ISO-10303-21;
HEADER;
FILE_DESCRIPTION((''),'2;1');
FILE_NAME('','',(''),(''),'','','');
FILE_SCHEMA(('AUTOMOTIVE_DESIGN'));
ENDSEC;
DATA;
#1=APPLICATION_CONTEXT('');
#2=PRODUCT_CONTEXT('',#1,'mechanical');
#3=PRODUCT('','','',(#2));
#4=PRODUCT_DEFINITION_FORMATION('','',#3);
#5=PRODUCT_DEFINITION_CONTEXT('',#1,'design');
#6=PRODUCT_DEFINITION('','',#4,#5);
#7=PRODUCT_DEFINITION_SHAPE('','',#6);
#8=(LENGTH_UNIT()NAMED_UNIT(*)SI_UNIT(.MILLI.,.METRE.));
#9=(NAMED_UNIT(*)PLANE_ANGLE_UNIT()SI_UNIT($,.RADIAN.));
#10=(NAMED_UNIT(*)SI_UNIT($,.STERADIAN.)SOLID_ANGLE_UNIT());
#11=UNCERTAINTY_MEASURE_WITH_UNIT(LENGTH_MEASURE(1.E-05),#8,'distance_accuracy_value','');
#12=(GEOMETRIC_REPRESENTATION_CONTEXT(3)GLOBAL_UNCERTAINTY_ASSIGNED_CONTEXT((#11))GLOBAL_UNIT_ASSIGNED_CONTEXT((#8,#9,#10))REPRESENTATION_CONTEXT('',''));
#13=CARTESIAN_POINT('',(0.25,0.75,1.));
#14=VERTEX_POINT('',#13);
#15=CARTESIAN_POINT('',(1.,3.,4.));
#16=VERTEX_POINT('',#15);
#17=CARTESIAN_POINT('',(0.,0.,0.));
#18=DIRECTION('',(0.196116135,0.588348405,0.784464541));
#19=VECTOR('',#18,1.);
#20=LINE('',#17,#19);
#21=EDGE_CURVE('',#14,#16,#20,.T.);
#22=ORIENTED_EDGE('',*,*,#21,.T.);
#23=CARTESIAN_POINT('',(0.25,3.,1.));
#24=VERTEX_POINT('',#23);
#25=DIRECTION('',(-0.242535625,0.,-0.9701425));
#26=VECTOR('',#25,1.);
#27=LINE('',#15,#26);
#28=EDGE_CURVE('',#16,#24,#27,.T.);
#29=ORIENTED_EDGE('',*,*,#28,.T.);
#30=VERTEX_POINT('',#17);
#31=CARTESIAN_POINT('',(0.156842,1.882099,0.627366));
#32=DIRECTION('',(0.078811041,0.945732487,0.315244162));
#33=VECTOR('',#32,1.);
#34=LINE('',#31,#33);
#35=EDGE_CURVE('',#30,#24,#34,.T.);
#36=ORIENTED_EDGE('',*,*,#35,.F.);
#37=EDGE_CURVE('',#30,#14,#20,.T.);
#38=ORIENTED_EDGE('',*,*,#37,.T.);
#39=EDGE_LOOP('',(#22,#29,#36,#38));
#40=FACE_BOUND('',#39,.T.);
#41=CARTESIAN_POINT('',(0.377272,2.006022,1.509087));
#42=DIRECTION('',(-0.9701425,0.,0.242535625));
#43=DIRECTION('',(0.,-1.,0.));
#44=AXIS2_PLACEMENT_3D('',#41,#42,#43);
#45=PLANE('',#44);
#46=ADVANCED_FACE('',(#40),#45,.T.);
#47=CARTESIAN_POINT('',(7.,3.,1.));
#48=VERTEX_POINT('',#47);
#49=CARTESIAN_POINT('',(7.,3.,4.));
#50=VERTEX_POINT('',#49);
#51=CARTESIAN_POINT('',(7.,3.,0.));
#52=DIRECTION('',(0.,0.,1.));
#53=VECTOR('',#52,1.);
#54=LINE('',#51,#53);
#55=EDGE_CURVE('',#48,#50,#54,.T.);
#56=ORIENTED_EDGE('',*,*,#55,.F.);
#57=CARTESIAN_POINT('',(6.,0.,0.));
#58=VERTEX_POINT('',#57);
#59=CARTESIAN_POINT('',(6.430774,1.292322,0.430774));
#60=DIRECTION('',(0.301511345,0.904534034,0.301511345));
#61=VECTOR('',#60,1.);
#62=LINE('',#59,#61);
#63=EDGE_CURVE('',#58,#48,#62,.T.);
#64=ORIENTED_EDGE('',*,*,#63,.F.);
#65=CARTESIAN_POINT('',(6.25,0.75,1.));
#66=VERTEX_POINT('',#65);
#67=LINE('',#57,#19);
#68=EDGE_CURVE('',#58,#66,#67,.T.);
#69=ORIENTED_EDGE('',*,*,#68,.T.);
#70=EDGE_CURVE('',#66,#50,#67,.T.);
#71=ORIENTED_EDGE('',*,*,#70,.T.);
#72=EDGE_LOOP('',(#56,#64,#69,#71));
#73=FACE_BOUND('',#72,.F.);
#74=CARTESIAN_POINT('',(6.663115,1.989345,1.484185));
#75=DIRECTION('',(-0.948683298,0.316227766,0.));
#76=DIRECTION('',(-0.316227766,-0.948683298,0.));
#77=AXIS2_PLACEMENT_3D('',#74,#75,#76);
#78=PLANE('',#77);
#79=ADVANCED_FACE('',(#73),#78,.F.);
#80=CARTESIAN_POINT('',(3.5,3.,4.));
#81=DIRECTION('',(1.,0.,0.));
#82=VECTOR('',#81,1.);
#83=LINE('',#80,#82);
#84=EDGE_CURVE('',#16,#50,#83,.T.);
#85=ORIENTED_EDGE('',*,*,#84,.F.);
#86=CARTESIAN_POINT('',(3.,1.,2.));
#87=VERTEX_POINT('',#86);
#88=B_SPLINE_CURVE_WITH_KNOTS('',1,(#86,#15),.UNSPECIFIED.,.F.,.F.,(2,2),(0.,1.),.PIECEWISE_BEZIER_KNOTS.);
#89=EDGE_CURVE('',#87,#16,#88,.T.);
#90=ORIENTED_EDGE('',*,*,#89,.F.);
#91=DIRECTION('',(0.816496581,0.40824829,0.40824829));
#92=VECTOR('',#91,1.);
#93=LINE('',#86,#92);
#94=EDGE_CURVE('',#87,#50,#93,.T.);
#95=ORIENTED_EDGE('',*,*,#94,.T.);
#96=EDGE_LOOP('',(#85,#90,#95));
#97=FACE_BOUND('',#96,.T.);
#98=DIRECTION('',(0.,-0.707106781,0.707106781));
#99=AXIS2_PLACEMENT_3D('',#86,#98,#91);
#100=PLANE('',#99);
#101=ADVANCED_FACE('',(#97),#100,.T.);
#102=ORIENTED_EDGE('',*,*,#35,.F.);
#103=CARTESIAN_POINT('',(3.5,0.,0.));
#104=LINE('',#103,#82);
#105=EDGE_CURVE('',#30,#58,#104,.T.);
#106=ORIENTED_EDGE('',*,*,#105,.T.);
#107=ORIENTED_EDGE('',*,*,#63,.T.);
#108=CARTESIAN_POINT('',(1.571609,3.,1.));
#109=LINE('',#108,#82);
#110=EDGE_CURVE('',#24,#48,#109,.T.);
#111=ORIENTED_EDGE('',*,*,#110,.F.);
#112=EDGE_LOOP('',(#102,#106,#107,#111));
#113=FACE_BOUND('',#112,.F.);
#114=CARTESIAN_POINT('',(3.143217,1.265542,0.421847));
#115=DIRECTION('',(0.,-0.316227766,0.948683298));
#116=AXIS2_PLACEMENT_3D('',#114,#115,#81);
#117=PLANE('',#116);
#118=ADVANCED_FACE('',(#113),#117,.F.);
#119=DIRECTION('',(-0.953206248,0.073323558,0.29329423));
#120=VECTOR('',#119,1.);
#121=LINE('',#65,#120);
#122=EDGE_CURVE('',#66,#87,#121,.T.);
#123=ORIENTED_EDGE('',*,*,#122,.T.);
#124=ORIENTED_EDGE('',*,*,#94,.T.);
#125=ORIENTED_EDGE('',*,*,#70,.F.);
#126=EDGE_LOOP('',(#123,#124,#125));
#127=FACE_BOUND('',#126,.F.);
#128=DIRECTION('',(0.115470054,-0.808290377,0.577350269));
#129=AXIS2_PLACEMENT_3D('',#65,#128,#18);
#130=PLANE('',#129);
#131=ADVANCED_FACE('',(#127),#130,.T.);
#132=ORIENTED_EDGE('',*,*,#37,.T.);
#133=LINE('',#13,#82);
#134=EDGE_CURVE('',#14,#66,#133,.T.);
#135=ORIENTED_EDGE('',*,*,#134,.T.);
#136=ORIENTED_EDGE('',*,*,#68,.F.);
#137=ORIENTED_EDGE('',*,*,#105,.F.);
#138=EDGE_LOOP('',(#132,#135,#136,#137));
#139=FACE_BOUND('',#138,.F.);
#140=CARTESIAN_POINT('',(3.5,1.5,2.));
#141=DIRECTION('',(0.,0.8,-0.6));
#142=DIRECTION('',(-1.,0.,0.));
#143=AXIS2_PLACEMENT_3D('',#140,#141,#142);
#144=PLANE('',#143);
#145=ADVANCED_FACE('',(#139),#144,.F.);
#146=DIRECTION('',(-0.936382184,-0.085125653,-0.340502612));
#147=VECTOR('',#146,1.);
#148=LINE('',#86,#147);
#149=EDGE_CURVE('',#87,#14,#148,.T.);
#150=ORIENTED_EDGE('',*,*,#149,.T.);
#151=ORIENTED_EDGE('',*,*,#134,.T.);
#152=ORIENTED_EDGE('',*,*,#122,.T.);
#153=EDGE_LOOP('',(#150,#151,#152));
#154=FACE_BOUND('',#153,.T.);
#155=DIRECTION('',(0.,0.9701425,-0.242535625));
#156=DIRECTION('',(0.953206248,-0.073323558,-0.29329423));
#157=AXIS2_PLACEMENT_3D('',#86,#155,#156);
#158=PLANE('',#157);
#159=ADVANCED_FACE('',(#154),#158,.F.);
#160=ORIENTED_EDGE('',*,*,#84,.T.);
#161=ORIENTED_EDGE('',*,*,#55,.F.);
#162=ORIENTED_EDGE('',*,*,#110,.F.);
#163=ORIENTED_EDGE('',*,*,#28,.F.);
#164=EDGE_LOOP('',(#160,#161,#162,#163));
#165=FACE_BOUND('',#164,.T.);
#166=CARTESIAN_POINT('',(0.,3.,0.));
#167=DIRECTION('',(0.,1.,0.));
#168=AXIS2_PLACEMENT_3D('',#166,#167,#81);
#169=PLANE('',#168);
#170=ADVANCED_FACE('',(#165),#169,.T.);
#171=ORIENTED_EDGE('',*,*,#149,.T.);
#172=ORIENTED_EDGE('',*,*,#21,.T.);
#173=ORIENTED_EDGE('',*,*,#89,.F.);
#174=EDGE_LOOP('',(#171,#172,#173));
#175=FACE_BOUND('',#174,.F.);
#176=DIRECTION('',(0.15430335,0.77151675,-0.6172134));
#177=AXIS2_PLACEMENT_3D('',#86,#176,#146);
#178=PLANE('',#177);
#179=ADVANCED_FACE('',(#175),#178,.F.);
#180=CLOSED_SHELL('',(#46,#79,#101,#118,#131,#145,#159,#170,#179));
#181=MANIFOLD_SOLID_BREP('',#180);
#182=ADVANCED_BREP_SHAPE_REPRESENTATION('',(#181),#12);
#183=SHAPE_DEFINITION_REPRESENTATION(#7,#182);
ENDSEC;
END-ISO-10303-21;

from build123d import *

# Parameters (mm, degrees)
F0_W      = 7
F0_H      = 3
F1_DEPTH  = 4
F5_W      = 7
F5_H      = 5
F6_DEPTH  = 25
F9_DEPTH  = 25
F12_DEPTH = 25
F15_W     = 10.8853101265
F15_H     = 4.9926914508
F16_DEPTH = 25
F2_W      = 0.4919341039
F2_H      = 0.3611877114
F18_DEPTH = 1
F25_DEPTH = 25


with BuildPart() as f1:
    # F0 (on Top) → F1 (new body)
    with BuildSketch(Plane.XY):
        with Locations((3.5, 1.5)):
            Rectangle(F0_W, F0_H)
    extrude(amount=F1_DEPTH)

    # F5 (on 3pt) → F6 (cut)
    with BuildSketch(Plane(origin=(0, 0, 0), x_dir=(-1, 0, 0), z_dir=(0, 0.8, -0.6))):
        with Locations((-3.5, 2.5)):
            Rectangle(F5_W, F5_H)
    extrude(amount=-F6_DEPTH, mode=Mode.SUBTRACT)

    # F8 (on 3pt) → F9 (cut)
    with BuildSketch(Plane(origin=(5.4, -1.8, 0), x_dir=(-0.316227766, -0.9486832981, 0), z_dir=(-0.9486832981, 0.316227766, 0))):
        Polygon((-1.8973665961, 0), (-5.0596442563, 4), (-5.0596442563, 1), (-5.0596442563, 0), align=None)
    extrude(amount=-F9_DEPTH, mode=Mode.SUBTRACT)

    # F11 (on 3pt) → F12 (cut)
    with BuildSketch(Plane(origin=(0, 0, 0), x_dir=(0, -1, 0), z_dir=(-0.9701425001, 0, 0.242535625))):
        Polygon((0, 0), (-3, 4.1231056256), (-3, 0), align=None)
    extrude(amount=F12_DEPTH, mode=Mode.SUBTRACT)

    # F15 (on 3pt) → F16 (cut)
    with BuildSketch(Plane(origin=(0, 0, 0), x_dir=(1, 0, 0), z_dir=(0, -0.316227766, 0.9486832981))):
        with Locations((3.1432170654, 1.333998458)):
            Rectangle(F15_W, F15_H)
    extrude(amount=-F16_DEPTH, mode=Mode.SUBTRACT)

    # F20 (on 3pt) → F21 section 0
    with BuildSketch(Plane(origin=(0, 0.4705882353, -0.1176470588), x_dir=(1, 0, 0), z_dir=(0, -0.9701425001, 0.242535625)), mode=Mode.PRIVATE) as f21_s0:
        Polygon((3, 2.1828206253), (0.25, 1.1520442189), (6.25, 1.1520442189), align=None)
    loft([f21_s0.sketch, Vertex(1, 3, 4)])

    # F23 (on 3pt) → F24 section 0
    with BuildSketch(Plane(origin=(0.08, -0.56, 0.4), x_dir=(-0.9933109617, -0.0939618477, 0.0671156055), z_dir=(-0.1154700538, 0.8082903769, -0.5773502692)), mode=Mode.PRIVATE) as f24_s0:
        Polygon((-6.211549291, 1.2496621165), (-2.9396635218, 2.2087051361), (-6.9665998531, 4.998648466), align=None)
    loft([f24_s0.sketch, Vertex(1, 3, 4)])


with BuildPart() as f18:
    # F2 (on face) → F18 (new body)
    with BuildSketch(Plane.XZ):
        with Locations((2.7540329481, 2.1805938557)):
            Rectangle(F2_W, F2_H)
    extrude(amount=F18_DEPTH)

    # F25 (cut): a face of the model
    f25_faces = [f18.faces().sort_by_distance(p)[0] for p in [
        (2.7540329481, 0, 2.1805938557),
    ]]
    extrude(f25_faces, amount=-F25_DEPTH, mode=Mode.SUBTRACT)


solid = f1.part
